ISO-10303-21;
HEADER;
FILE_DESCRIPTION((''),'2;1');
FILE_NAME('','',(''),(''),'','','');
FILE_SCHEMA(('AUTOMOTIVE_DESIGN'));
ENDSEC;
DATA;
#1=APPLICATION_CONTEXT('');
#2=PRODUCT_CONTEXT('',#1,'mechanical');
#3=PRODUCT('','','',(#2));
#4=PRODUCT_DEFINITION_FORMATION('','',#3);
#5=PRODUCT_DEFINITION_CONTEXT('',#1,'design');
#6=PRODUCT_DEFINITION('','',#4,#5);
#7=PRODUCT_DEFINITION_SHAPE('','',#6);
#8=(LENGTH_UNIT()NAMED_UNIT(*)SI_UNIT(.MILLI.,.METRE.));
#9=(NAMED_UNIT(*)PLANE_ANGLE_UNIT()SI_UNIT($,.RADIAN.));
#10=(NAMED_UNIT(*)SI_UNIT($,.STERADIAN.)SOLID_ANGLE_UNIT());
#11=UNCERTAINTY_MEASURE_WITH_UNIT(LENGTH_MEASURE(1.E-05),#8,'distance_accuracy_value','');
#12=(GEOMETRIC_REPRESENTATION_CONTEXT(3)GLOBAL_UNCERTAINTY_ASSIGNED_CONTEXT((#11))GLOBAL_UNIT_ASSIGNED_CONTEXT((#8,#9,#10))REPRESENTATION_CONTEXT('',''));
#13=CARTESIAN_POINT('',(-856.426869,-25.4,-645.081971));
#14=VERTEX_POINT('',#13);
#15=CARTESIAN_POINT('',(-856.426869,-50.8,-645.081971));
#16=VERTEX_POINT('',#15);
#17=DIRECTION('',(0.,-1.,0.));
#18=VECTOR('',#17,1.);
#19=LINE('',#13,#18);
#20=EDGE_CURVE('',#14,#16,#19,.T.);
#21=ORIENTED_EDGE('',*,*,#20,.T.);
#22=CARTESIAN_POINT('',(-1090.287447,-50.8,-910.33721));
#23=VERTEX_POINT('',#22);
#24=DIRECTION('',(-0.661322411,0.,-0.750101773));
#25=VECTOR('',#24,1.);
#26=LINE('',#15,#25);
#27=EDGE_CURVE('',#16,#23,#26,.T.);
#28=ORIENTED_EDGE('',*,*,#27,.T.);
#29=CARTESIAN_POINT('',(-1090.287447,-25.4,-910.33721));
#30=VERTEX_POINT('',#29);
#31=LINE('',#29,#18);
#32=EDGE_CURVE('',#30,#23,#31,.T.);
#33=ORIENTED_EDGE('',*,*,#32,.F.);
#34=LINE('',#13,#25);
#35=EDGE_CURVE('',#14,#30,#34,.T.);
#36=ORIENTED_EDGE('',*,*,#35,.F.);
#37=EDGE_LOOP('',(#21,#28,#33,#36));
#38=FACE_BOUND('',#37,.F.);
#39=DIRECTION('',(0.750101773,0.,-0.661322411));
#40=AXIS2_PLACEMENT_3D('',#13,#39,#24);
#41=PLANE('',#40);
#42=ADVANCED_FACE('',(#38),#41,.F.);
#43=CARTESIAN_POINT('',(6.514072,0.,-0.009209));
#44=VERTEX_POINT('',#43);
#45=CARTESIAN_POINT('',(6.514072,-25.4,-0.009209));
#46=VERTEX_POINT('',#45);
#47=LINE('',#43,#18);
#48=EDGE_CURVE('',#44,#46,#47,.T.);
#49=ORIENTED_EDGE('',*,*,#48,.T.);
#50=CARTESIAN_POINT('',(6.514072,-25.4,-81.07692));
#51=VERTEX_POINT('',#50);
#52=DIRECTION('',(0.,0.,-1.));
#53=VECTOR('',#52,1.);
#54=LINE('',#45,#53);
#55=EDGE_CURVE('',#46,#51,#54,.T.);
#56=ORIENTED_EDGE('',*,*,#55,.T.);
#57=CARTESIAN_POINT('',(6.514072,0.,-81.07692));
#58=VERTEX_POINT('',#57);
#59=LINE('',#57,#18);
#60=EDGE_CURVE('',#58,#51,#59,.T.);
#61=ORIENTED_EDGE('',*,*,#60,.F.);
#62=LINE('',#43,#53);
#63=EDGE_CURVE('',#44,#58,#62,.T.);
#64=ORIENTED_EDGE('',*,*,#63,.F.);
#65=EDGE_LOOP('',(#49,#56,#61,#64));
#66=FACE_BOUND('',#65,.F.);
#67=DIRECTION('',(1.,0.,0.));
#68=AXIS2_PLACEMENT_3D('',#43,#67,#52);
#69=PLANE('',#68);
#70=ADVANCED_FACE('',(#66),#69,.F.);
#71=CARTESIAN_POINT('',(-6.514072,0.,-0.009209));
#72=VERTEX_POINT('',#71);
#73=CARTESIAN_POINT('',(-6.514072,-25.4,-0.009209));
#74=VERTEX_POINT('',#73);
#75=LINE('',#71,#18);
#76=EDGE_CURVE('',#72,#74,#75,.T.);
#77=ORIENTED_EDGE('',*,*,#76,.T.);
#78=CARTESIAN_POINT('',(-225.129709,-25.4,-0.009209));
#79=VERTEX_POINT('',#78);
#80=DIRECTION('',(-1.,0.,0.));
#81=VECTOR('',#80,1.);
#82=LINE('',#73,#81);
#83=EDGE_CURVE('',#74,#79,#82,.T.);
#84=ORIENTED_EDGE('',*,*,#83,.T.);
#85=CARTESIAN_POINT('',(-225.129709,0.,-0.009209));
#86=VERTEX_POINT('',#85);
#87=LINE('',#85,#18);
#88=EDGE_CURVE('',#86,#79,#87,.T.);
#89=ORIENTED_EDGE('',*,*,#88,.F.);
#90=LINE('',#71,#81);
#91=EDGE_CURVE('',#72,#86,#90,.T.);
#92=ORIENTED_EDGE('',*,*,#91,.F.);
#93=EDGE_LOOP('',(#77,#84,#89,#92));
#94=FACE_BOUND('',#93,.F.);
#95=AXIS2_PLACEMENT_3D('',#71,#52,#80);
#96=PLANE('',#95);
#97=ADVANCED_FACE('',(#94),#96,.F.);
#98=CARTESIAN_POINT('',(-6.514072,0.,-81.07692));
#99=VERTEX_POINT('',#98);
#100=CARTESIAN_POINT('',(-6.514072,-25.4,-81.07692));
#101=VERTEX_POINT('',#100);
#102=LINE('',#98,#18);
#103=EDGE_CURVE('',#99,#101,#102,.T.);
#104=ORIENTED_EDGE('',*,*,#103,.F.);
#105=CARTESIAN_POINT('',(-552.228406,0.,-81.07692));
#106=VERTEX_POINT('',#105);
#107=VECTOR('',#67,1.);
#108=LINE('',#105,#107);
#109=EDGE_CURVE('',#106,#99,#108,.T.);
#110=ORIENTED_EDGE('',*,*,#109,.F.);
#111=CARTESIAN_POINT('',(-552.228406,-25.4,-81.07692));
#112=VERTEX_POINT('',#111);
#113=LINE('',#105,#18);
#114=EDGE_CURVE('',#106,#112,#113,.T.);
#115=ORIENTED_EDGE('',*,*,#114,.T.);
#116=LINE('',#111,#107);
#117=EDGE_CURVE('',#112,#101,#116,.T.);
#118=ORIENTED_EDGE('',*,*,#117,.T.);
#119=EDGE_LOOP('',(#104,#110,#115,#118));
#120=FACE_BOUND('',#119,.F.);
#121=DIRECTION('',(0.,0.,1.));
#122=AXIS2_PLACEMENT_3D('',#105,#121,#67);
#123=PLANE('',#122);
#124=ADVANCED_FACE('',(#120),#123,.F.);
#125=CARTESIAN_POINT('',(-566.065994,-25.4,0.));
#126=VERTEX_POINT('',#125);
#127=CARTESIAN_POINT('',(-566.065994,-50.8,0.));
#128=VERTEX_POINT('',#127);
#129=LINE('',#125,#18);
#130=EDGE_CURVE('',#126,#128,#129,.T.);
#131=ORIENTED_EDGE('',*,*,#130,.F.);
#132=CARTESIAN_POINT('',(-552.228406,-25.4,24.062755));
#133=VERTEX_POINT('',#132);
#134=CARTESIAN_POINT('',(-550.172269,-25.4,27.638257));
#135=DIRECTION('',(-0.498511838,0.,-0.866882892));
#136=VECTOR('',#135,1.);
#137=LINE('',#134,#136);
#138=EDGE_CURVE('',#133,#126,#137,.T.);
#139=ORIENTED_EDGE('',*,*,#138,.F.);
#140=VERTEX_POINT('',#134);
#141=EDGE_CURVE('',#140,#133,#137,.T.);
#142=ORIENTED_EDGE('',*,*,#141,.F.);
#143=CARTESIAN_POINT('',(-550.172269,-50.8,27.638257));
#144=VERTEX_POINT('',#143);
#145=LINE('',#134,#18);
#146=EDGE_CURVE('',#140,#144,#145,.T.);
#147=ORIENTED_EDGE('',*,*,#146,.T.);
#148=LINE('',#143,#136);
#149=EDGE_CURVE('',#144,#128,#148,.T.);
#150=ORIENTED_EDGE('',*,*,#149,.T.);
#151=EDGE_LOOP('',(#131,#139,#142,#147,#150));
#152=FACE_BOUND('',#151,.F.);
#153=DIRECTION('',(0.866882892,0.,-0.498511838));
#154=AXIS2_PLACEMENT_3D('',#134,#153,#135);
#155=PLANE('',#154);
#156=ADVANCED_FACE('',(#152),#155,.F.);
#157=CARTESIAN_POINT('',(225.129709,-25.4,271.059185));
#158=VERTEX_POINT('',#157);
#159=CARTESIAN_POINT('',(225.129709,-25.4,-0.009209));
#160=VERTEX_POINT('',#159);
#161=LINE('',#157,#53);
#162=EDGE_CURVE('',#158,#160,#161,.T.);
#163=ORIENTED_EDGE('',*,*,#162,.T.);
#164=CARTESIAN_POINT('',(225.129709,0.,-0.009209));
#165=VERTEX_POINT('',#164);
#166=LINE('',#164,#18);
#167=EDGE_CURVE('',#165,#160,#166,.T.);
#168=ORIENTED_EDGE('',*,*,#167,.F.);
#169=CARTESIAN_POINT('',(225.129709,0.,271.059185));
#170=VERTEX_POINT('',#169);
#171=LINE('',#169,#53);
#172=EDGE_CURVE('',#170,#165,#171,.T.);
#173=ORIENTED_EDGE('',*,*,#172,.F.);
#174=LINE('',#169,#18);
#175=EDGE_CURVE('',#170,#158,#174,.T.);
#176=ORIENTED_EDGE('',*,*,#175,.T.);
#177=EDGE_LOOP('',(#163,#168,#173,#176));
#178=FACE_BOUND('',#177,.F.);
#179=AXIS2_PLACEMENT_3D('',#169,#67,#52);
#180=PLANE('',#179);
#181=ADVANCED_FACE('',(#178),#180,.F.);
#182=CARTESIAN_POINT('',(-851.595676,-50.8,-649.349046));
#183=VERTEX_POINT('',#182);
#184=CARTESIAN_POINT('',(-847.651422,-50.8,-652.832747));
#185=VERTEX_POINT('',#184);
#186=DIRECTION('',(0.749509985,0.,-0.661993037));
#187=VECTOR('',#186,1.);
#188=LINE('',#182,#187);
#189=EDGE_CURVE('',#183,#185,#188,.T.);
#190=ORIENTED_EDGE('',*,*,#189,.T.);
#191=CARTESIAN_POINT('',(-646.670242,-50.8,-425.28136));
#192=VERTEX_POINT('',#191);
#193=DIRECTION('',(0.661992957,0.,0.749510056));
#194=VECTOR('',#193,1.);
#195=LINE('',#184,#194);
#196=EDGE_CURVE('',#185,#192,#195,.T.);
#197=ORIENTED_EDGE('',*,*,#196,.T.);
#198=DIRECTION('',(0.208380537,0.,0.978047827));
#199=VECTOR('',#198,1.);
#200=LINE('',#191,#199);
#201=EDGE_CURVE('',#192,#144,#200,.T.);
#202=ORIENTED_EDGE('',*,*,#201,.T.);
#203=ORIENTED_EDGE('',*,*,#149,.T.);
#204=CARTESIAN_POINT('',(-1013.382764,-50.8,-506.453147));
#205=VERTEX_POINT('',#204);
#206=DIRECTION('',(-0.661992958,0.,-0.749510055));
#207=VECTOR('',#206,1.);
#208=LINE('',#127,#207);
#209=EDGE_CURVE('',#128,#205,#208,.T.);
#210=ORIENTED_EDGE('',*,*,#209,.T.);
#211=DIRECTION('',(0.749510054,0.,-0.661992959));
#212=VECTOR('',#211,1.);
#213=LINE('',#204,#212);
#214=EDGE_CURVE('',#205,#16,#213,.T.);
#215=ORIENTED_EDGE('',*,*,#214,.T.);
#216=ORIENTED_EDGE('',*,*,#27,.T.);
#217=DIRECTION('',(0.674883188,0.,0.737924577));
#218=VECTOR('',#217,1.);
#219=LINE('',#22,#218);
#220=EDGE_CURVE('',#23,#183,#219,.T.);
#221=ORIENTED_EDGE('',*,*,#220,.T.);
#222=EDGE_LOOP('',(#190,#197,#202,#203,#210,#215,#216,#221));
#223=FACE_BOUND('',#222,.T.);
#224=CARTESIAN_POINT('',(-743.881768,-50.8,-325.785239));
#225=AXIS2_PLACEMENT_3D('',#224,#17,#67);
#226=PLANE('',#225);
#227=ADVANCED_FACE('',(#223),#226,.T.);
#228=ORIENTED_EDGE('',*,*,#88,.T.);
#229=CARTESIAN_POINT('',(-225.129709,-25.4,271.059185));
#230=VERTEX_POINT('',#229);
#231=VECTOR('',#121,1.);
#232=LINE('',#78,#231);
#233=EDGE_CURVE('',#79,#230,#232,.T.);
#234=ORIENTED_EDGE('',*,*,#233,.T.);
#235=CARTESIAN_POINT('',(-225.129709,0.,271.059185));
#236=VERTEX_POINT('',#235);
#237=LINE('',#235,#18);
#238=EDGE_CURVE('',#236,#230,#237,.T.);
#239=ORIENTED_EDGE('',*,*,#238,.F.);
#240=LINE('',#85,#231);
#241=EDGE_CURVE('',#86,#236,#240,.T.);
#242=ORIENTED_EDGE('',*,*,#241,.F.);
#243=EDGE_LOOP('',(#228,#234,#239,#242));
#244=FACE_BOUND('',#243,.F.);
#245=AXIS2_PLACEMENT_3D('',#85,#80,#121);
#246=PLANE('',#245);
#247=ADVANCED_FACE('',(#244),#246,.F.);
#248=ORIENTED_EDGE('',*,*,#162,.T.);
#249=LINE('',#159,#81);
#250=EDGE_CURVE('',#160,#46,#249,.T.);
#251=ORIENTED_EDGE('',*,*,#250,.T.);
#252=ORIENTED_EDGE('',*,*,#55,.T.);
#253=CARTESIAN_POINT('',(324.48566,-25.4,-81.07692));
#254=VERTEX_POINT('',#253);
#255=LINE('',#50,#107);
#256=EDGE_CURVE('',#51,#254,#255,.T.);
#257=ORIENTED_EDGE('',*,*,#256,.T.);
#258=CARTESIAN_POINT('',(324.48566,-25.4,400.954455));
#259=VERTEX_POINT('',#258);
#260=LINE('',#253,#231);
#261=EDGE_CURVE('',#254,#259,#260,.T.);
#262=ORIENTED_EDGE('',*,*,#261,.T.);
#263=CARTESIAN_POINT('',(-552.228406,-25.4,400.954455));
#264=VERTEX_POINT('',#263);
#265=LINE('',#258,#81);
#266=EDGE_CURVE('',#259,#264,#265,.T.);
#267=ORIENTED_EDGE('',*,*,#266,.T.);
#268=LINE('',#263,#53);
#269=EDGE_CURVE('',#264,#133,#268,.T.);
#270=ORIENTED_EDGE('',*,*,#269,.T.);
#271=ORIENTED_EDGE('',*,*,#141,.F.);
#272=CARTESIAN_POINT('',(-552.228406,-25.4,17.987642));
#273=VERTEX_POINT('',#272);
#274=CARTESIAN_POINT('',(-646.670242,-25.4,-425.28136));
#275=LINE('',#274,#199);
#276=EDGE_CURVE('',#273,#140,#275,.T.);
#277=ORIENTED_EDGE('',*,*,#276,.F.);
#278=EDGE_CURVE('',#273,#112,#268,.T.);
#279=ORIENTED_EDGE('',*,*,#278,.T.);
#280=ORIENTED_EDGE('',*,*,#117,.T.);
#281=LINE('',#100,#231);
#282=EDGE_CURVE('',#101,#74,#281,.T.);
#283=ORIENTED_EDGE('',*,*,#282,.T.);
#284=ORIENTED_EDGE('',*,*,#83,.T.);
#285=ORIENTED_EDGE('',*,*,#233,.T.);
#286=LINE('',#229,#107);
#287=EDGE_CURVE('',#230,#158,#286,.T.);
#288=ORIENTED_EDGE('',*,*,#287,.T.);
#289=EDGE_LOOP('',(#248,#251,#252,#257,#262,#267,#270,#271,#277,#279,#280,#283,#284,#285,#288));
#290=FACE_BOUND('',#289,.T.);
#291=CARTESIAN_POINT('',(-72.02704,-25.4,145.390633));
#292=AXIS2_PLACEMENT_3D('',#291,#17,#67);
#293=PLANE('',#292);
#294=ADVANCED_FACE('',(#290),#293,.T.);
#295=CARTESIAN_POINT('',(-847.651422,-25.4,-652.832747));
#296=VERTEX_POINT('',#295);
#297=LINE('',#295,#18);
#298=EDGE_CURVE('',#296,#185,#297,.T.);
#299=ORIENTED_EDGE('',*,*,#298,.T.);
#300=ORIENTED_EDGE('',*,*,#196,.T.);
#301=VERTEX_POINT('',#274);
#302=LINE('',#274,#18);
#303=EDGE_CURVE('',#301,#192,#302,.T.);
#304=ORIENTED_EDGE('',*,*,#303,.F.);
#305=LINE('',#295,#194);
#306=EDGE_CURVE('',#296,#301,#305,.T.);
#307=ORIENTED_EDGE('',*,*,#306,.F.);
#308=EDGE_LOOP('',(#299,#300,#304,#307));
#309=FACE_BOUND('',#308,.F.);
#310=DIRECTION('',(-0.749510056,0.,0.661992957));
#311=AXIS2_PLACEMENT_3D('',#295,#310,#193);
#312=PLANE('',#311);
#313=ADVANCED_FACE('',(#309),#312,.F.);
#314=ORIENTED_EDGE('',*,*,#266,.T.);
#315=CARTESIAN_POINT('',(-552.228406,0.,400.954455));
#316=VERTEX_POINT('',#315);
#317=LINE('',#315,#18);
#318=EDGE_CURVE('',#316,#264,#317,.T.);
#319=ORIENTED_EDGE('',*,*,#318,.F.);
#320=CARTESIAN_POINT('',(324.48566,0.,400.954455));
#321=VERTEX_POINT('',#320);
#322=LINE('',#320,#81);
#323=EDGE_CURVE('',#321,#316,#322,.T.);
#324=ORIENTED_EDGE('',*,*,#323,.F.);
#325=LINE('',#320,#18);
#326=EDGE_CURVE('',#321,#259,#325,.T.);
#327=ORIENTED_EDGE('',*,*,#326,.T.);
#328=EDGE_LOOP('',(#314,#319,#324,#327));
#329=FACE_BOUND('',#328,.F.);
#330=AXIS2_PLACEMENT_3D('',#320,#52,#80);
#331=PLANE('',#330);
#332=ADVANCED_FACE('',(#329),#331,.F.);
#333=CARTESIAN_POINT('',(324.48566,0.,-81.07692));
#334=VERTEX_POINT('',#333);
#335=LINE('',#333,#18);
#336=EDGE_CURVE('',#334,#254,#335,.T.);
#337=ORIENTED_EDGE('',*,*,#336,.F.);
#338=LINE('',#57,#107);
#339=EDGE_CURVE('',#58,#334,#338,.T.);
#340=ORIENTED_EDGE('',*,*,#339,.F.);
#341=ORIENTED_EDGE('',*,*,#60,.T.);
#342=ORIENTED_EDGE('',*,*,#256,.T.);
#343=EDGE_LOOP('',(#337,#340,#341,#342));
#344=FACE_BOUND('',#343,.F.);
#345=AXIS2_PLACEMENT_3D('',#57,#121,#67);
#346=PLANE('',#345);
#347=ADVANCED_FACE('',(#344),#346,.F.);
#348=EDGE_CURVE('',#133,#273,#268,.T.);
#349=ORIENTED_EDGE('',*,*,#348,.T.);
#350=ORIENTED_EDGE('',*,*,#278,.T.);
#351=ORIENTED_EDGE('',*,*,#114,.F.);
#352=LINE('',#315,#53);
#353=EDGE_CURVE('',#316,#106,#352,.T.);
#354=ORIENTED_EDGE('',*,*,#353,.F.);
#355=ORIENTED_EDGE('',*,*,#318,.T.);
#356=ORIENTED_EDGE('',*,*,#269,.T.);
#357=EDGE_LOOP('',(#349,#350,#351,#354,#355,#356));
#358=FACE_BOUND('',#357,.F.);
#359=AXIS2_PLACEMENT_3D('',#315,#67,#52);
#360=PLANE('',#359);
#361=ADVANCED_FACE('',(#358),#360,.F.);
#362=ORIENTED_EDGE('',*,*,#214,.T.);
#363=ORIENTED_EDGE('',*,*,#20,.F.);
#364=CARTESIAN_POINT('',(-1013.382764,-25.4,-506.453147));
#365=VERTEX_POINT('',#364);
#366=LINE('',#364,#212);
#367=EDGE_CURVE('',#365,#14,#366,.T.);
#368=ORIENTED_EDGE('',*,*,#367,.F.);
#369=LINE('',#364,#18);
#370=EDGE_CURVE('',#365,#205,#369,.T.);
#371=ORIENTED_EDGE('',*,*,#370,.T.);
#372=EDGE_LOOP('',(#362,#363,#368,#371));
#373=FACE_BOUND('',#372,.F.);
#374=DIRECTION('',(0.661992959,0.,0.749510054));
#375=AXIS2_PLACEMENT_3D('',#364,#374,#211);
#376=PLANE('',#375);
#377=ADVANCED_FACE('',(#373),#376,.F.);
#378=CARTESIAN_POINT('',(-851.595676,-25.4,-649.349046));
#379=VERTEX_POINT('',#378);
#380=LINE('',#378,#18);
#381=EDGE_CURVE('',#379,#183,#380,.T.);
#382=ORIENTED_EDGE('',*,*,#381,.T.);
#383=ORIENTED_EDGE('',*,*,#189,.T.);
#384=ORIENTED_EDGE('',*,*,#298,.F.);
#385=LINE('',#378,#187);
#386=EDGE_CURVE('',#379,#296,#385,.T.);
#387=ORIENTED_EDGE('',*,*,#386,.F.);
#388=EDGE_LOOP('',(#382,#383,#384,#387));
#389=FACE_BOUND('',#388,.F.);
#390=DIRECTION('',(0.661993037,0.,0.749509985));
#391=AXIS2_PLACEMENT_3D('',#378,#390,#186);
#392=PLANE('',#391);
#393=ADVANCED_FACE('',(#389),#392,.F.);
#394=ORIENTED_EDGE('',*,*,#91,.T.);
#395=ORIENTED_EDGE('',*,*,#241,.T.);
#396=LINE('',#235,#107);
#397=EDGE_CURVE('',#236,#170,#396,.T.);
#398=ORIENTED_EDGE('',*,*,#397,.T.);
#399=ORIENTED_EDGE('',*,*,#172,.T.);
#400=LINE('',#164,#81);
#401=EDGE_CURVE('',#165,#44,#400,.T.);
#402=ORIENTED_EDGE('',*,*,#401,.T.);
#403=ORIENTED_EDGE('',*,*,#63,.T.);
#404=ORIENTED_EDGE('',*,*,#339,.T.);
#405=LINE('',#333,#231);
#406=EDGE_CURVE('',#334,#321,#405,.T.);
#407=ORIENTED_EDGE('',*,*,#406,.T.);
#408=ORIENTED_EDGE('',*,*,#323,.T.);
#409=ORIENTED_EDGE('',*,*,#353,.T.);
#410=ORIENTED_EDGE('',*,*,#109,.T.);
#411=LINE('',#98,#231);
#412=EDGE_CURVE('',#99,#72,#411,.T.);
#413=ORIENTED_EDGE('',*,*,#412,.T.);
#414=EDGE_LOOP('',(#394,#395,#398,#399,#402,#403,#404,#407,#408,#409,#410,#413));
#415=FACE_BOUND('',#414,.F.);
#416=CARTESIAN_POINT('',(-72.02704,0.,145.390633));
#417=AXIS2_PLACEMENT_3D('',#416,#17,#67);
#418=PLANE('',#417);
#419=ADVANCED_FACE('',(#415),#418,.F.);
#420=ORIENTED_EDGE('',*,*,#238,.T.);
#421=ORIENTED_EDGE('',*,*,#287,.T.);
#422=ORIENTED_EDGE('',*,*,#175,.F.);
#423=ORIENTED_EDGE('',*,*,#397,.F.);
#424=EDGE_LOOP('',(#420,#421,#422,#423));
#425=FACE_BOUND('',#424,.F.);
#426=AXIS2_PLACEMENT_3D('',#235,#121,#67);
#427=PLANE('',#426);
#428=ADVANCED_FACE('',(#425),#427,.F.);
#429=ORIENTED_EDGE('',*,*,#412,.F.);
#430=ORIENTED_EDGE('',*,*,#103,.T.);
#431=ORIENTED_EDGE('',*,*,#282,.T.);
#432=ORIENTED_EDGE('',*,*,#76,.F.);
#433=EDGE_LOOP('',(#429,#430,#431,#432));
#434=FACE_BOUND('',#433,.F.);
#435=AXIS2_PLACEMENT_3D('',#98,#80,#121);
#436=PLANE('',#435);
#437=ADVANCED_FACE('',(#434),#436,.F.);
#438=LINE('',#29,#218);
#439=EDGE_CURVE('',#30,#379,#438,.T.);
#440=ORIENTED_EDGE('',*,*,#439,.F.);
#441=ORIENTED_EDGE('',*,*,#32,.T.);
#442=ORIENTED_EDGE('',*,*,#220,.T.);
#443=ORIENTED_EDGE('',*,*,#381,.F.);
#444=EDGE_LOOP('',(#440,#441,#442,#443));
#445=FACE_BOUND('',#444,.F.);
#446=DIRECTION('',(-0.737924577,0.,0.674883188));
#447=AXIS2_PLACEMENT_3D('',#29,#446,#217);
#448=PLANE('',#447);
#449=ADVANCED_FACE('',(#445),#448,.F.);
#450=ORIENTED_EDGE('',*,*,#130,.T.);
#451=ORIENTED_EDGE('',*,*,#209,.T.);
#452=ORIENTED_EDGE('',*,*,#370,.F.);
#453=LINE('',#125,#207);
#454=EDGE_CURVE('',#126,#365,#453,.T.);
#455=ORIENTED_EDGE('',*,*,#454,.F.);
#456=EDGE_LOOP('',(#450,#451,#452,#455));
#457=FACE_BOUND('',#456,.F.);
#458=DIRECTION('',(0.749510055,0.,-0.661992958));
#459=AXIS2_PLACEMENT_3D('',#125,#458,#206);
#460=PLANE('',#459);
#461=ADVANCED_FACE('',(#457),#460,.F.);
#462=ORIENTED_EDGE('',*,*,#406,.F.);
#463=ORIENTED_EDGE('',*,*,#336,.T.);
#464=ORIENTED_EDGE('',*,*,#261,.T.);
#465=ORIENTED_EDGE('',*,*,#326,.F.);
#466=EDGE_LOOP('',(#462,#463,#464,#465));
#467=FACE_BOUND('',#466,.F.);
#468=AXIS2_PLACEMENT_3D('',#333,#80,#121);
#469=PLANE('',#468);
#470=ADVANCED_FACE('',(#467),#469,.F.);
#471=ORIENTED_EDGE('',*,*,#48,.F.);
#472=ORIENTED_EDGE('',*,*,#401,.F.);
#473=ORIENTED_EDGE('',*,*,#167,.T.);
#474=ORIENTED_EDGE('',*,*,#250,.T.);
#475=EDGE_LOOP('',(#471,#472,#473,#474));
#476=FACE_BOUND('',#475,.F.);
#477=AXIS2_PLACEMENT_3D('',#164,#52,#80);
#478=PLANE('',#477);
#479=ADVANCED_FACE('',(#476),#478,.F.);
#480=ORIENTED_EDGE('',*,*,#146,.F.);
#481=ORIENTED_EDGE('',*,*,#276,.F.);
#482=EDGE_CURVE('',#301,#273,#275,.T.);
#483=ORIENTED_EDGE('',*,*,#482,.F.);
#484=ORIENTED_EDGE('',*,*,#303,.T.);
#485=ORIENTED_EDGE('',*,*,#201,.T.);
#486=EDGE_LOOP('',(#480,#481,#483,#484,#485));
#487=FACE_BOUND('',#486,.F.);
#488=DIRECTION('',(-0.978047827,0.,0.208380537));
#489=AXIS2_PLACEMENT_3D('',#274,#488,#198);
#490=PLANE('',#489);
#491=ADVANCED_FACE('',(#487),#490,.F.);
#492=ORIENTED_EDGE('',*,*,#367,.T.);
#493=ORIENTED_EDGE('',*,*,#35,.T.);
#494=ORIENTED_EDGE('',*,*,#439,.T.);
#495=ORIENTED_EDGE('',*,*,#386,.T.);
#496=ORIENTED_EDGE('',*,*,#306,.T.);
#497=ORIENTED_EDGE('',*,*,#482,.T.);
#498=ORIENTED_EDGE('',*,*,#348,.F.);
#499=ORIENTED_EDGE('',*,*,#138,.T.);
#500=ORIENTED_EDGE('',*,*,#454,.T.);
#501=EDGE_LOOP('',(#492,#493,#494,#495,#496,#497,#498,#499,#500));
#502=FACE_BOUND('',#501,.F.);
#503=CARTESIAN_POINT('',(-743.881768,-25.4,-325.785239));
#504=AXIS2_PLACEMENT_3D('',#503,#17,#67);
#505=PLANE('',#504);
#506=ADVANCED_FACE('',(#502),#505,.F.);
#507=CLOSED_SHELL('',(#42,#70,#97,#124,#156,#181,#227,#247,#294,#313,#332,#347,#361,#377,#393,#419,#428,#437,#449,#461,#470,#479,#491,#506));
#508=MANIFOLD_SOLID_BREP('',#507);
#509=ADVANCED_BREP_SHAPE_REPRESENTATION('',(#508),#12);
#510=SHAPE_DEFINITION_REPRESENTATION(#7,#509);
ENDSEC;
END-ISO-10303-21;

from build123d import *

# Parameters (mm, degrees)
F1_DEPTH = 25.4
F3_DEPTH = 25.4


with BuildPart() as f1:
    # F0 (on Front) → F1 (new body)
    with BuildSketch(Plane.XZ):
        Polygon((-225.129709, -0.009209), (-225.129709, 271.059185), (225.129709, 271.059185), (225.129709, -0.009209), (6.514072, -0.009209), (6.514072, -81.07692), (324.48566, -81.07692), (324.48566, 400.954455), (-552.228406, 400.954455), (-552.228406, -81.07692), (-6.514072, -81.07692), (-6.514072, -0.009209), align=None)
    extrude(amount=F1_DEPTH)

    # F2 (on face) → F3 (join)
    with BuildSketch(Plane.XZ.offset(25.4)):
        Polygon((-851.595676, -649.349046), (-646.670242, -425.28136), (-550.172269, 27.638257), (-566.065994, 0), (-1013.382764, -506.453147), (-856.426869, -645.081971), align=None)
        Polygon((-847.651422, -652.832747), (-646.670242, -425.28136), (-851.595676, -649.349046), align=None)
        Polygon((-1090.287447, -910.33721), (-851.595676, -649.349046), (-856.426869, -645.081971), align=None)
        Polygon((-851.595676, -649.349046), (-646.670242, -425.28136), (-552.228406, 17.987643), (-552.228406, 24.062755), (-566.065994, 0), (-1013.382764, -506.453147), (-856.426869, -645.081971), align=None)
    extrude(amount=F3_DEPTH)


solid = f1.part
